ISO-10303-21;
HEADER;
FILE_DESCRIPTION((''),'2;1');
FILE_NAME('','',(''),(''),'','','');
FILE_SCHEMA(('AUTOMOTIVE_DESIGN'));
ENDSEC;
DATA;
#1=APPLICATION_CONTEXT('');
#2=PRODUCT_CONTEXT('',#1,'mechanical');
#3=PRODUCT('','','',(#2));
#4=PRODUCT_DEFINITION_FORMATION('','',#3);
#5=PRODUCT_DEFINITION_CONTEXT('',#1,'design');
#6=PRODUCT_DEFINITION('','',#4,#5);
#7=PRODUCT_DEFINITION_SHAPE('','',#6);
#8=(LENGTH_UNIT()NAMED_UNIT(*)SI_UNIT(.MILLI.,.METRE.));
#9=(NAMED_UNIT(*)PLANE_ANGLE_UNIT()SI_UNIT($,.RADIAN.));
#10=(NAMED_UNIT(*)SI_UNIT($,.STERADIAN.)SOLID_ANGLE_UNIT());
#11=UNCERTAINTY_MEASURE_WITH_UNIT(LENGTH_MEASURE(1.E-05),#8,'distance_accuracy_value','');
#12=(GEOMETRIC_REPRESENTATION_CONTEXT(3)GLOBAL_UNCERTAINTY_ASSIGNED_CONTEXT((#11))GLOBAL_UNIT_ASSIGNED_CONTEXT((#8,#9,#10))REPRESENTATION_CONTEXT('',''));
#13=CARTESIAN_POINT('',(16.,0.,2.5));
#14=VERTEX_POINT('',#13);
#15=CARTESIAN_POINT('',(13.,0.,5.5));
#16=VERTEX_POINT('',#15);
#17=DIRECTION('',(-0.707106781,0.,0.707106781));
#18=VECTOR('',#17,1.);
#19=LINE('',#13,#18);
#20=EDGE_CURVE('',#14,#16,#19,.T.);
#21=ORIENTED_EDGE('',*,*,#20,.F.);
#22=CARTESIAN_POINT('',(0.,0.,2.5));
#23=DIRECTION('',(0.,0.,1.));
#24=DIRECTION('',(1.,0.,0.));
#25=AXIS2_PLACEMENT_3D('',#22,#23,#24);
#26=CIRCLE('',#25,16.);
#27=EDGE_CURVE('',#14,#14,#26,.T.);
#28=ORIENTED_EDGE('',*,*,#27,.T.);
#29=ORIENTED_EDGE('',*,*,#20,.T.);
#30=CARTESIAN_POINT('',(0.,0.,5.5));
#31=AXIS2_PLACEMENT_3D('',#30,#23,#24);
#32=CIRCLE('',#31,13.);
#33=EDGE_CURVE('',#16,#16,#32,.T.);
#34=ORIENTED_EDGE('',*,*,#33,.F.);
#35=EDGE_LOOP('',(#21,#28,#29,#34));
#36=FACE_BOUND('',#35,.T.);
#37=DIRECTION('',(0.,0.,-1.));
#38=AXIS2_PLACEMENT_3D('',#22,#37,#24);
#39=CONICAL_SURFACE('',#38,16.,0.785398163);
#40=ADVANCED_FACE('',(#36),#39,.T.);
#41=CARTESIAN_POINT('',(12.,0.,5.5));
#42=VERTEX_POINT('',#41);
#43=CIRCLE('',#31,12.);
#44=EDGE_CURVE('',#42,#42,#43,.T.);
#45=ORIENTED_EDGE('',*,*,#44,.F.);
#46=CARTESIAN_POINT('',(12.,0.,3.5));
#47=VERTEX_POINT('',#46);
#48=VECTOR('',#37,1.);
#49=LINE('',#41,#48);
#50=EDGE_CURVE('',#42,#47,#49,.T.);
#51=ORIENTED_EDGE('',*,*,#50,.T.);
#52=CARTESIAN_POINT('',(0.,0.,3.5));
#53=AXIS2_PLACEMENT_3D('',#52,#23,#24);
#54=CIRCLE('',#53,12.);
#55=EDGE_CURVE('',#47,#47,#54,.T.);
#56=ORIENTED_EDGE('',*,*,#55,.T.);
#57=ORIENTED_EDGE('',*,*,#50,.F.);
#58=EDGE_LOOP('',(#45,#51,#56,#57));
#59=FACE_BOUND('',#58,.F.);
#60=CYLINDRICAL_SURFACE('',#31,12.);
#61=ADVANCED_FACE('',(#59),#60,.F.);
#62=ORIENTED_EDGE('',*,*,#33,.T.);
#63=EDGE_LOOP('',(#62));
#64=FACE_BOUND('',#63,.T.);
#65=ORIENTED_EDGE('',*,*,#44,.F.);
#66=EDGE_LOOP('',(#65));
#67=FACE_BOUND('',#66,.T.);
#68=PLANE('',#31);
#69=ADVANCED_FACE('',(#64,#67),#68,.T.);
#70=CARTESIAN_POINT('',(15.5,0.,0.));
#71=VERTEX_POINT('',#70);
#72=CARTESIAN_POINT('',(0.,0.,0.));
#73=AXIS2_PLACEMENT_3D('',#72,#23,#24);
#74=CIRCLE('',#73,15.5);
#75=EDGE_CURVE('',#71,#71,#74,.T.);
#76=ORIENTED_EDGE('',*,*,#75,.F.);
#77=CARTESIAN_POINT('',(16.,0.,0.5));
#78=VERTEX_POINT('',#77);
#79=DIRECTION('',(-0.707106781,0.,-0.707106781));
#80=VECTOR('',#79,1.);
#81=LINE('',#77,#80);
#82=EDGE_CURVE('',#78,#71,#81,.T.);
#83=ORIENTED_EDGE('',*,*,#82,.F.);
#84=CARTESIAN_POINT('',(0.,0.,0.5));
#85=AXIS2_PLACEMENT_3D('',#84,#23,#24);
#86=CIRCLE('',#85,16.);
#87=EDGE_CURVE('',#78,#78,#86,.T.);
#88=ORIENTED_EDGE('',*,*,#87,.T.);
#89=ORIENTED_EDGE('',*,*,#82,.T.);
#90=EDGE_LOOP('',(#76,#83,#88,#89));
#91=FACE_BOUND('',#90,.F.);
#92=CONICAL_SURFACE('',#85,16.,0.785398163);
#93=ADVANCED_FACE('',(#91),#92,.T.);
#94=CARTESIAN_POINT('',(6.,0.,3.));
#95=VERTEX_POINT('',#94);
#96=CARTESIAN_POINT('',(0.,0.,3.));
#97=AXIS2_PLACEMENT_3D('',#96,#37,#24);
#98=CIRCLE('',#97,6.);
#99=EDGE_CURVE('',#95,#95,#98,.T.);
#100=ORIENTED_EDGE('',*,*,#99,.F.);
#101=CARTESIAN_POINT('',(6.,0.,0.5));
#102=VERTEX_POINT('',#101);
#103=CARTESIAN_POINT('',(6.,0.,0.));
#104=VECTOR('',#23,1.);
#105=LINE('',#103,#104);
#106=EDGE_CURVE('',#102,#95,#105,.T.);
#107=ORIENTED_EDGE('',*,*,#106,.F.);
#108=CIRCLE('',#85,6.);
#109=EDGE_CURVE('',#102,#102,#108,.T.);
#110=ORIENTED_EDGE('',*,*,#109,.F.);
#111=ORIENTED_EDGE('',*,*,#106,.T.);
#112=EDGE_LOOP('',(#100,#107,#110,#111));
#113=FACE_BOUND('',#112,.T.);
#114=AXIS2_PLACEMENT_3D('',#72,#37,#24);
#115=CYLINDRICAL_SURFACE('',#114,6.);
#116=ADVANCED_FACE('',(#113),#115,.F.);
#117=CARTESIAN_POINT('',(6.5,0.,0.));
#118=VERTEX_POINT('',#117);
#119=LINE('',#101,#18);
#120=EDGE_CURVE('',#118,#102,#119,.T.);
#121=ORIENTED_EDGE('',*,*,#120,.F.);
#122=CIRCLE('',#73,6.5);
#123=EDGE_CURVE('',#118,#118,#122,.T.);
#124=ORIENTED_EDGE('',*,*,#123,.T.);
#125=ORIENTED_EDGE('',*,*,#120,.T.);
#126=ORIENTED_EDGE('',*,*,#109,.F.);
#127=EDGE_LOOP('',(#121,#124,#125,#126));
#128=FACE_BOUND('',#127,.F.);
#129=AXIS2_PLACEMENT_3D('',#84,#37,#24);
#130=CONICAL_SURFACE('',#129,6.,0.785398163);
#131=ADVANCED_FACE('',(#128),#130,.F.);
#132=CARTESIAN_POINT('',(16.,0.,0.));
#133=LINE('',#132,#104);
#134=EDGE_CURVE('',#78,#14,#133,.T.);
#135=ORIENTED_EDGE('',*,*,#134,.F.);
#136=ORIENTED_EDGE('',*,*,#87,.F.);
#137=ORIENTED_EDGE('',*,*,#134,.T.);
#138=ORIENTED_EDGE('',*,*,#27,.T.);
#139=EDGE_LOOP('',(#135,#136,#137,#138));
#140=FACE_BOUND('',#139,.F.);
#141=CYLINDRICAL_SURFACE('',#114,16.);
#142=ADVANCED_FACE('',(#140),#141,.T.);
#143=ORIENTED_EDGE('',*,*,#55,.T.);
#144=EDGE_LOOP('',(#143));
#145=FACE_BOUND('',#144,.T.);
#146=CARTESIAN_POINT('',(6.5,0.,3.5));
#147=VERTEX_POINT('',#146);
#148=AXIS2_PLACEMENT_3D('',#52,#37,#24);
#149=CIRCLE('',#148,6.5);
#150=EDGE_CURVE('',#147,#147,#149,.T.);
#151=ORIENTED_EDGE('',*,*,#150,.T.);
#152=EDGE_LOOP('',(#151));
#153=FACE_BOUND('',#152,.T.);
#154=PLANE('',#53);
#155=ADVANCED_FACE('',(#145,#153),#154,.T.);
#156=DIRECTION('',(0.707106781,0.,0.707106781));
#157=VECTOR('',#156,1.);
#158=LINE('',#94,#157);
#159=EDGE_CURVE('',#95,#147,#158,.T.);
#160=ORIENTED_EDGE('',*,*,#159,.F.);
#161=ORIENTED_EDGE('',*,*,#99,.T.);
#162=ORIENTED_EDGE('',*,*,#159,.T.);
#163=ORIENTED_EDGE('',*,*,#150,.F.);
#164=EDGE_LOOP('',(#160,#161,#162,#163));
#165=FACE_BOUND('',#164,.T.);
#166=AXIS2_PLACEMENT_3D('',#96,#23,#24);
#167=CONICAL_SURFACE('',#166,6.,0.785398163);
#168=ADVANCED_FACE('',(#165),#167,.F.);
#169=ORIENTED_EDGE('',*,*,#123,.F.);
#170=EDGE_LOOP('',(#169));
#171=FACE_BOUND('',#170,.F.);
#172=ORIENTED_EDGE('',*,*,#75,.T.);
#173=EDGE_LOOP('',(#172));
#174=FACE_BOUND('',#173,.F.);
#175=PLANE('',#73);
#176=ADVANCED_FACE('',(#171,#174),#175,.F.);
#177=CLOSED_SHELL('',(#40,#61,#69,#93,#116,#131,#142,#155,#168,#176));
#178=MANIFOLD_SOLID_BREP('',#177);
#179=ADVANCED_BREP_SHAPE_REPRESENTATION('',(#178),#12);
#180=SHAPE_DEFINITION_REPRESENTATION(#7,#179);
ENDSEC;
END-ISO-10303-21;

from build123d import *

# Parameters (mm, degrees)
F0_R     = 16
F0_R_2   = 6
F1_DEPTH = 5.5
F2_R     = 12
F3_DEPTH = 2
F4_SIZE  = 3
F5_SIZE  = 0.5


with BuildPart() as f1:
    # F0 (on Top) → F1 (new body)
    with BuildSketch(Plane.XY):
        Circle(F0_R)
        Circle(F0_R_2, mode=Mode.SUBTRACT)
    extrude(amount=F1_DEPTH)

    # F2 (on face) → F3 (cut)
    with BuildSketch(Plane.XY.offset(5.5)):
        Circle(F2_R)
    extrude(amount=-F3_DEPTH, mode=Mode.SUBTRACT)

    # F4
    f4_edges = [f1.edges().sort_by_distance(p)[0] for p in [
        (-16, 0, 5.5),
    ]]
    chamfer(f4_edges, length=F4_SIZE)

    # F5
    f5_edges = [f1.edges().sort_by_distance(p)[0] for p in [
        (-16, 0, 0),
        (-6, 0, 0),
        (-6, 0, 3.5),
    ]]
    chamfer(f5_edges, length=F5_SIZE)


solid = f1.part
